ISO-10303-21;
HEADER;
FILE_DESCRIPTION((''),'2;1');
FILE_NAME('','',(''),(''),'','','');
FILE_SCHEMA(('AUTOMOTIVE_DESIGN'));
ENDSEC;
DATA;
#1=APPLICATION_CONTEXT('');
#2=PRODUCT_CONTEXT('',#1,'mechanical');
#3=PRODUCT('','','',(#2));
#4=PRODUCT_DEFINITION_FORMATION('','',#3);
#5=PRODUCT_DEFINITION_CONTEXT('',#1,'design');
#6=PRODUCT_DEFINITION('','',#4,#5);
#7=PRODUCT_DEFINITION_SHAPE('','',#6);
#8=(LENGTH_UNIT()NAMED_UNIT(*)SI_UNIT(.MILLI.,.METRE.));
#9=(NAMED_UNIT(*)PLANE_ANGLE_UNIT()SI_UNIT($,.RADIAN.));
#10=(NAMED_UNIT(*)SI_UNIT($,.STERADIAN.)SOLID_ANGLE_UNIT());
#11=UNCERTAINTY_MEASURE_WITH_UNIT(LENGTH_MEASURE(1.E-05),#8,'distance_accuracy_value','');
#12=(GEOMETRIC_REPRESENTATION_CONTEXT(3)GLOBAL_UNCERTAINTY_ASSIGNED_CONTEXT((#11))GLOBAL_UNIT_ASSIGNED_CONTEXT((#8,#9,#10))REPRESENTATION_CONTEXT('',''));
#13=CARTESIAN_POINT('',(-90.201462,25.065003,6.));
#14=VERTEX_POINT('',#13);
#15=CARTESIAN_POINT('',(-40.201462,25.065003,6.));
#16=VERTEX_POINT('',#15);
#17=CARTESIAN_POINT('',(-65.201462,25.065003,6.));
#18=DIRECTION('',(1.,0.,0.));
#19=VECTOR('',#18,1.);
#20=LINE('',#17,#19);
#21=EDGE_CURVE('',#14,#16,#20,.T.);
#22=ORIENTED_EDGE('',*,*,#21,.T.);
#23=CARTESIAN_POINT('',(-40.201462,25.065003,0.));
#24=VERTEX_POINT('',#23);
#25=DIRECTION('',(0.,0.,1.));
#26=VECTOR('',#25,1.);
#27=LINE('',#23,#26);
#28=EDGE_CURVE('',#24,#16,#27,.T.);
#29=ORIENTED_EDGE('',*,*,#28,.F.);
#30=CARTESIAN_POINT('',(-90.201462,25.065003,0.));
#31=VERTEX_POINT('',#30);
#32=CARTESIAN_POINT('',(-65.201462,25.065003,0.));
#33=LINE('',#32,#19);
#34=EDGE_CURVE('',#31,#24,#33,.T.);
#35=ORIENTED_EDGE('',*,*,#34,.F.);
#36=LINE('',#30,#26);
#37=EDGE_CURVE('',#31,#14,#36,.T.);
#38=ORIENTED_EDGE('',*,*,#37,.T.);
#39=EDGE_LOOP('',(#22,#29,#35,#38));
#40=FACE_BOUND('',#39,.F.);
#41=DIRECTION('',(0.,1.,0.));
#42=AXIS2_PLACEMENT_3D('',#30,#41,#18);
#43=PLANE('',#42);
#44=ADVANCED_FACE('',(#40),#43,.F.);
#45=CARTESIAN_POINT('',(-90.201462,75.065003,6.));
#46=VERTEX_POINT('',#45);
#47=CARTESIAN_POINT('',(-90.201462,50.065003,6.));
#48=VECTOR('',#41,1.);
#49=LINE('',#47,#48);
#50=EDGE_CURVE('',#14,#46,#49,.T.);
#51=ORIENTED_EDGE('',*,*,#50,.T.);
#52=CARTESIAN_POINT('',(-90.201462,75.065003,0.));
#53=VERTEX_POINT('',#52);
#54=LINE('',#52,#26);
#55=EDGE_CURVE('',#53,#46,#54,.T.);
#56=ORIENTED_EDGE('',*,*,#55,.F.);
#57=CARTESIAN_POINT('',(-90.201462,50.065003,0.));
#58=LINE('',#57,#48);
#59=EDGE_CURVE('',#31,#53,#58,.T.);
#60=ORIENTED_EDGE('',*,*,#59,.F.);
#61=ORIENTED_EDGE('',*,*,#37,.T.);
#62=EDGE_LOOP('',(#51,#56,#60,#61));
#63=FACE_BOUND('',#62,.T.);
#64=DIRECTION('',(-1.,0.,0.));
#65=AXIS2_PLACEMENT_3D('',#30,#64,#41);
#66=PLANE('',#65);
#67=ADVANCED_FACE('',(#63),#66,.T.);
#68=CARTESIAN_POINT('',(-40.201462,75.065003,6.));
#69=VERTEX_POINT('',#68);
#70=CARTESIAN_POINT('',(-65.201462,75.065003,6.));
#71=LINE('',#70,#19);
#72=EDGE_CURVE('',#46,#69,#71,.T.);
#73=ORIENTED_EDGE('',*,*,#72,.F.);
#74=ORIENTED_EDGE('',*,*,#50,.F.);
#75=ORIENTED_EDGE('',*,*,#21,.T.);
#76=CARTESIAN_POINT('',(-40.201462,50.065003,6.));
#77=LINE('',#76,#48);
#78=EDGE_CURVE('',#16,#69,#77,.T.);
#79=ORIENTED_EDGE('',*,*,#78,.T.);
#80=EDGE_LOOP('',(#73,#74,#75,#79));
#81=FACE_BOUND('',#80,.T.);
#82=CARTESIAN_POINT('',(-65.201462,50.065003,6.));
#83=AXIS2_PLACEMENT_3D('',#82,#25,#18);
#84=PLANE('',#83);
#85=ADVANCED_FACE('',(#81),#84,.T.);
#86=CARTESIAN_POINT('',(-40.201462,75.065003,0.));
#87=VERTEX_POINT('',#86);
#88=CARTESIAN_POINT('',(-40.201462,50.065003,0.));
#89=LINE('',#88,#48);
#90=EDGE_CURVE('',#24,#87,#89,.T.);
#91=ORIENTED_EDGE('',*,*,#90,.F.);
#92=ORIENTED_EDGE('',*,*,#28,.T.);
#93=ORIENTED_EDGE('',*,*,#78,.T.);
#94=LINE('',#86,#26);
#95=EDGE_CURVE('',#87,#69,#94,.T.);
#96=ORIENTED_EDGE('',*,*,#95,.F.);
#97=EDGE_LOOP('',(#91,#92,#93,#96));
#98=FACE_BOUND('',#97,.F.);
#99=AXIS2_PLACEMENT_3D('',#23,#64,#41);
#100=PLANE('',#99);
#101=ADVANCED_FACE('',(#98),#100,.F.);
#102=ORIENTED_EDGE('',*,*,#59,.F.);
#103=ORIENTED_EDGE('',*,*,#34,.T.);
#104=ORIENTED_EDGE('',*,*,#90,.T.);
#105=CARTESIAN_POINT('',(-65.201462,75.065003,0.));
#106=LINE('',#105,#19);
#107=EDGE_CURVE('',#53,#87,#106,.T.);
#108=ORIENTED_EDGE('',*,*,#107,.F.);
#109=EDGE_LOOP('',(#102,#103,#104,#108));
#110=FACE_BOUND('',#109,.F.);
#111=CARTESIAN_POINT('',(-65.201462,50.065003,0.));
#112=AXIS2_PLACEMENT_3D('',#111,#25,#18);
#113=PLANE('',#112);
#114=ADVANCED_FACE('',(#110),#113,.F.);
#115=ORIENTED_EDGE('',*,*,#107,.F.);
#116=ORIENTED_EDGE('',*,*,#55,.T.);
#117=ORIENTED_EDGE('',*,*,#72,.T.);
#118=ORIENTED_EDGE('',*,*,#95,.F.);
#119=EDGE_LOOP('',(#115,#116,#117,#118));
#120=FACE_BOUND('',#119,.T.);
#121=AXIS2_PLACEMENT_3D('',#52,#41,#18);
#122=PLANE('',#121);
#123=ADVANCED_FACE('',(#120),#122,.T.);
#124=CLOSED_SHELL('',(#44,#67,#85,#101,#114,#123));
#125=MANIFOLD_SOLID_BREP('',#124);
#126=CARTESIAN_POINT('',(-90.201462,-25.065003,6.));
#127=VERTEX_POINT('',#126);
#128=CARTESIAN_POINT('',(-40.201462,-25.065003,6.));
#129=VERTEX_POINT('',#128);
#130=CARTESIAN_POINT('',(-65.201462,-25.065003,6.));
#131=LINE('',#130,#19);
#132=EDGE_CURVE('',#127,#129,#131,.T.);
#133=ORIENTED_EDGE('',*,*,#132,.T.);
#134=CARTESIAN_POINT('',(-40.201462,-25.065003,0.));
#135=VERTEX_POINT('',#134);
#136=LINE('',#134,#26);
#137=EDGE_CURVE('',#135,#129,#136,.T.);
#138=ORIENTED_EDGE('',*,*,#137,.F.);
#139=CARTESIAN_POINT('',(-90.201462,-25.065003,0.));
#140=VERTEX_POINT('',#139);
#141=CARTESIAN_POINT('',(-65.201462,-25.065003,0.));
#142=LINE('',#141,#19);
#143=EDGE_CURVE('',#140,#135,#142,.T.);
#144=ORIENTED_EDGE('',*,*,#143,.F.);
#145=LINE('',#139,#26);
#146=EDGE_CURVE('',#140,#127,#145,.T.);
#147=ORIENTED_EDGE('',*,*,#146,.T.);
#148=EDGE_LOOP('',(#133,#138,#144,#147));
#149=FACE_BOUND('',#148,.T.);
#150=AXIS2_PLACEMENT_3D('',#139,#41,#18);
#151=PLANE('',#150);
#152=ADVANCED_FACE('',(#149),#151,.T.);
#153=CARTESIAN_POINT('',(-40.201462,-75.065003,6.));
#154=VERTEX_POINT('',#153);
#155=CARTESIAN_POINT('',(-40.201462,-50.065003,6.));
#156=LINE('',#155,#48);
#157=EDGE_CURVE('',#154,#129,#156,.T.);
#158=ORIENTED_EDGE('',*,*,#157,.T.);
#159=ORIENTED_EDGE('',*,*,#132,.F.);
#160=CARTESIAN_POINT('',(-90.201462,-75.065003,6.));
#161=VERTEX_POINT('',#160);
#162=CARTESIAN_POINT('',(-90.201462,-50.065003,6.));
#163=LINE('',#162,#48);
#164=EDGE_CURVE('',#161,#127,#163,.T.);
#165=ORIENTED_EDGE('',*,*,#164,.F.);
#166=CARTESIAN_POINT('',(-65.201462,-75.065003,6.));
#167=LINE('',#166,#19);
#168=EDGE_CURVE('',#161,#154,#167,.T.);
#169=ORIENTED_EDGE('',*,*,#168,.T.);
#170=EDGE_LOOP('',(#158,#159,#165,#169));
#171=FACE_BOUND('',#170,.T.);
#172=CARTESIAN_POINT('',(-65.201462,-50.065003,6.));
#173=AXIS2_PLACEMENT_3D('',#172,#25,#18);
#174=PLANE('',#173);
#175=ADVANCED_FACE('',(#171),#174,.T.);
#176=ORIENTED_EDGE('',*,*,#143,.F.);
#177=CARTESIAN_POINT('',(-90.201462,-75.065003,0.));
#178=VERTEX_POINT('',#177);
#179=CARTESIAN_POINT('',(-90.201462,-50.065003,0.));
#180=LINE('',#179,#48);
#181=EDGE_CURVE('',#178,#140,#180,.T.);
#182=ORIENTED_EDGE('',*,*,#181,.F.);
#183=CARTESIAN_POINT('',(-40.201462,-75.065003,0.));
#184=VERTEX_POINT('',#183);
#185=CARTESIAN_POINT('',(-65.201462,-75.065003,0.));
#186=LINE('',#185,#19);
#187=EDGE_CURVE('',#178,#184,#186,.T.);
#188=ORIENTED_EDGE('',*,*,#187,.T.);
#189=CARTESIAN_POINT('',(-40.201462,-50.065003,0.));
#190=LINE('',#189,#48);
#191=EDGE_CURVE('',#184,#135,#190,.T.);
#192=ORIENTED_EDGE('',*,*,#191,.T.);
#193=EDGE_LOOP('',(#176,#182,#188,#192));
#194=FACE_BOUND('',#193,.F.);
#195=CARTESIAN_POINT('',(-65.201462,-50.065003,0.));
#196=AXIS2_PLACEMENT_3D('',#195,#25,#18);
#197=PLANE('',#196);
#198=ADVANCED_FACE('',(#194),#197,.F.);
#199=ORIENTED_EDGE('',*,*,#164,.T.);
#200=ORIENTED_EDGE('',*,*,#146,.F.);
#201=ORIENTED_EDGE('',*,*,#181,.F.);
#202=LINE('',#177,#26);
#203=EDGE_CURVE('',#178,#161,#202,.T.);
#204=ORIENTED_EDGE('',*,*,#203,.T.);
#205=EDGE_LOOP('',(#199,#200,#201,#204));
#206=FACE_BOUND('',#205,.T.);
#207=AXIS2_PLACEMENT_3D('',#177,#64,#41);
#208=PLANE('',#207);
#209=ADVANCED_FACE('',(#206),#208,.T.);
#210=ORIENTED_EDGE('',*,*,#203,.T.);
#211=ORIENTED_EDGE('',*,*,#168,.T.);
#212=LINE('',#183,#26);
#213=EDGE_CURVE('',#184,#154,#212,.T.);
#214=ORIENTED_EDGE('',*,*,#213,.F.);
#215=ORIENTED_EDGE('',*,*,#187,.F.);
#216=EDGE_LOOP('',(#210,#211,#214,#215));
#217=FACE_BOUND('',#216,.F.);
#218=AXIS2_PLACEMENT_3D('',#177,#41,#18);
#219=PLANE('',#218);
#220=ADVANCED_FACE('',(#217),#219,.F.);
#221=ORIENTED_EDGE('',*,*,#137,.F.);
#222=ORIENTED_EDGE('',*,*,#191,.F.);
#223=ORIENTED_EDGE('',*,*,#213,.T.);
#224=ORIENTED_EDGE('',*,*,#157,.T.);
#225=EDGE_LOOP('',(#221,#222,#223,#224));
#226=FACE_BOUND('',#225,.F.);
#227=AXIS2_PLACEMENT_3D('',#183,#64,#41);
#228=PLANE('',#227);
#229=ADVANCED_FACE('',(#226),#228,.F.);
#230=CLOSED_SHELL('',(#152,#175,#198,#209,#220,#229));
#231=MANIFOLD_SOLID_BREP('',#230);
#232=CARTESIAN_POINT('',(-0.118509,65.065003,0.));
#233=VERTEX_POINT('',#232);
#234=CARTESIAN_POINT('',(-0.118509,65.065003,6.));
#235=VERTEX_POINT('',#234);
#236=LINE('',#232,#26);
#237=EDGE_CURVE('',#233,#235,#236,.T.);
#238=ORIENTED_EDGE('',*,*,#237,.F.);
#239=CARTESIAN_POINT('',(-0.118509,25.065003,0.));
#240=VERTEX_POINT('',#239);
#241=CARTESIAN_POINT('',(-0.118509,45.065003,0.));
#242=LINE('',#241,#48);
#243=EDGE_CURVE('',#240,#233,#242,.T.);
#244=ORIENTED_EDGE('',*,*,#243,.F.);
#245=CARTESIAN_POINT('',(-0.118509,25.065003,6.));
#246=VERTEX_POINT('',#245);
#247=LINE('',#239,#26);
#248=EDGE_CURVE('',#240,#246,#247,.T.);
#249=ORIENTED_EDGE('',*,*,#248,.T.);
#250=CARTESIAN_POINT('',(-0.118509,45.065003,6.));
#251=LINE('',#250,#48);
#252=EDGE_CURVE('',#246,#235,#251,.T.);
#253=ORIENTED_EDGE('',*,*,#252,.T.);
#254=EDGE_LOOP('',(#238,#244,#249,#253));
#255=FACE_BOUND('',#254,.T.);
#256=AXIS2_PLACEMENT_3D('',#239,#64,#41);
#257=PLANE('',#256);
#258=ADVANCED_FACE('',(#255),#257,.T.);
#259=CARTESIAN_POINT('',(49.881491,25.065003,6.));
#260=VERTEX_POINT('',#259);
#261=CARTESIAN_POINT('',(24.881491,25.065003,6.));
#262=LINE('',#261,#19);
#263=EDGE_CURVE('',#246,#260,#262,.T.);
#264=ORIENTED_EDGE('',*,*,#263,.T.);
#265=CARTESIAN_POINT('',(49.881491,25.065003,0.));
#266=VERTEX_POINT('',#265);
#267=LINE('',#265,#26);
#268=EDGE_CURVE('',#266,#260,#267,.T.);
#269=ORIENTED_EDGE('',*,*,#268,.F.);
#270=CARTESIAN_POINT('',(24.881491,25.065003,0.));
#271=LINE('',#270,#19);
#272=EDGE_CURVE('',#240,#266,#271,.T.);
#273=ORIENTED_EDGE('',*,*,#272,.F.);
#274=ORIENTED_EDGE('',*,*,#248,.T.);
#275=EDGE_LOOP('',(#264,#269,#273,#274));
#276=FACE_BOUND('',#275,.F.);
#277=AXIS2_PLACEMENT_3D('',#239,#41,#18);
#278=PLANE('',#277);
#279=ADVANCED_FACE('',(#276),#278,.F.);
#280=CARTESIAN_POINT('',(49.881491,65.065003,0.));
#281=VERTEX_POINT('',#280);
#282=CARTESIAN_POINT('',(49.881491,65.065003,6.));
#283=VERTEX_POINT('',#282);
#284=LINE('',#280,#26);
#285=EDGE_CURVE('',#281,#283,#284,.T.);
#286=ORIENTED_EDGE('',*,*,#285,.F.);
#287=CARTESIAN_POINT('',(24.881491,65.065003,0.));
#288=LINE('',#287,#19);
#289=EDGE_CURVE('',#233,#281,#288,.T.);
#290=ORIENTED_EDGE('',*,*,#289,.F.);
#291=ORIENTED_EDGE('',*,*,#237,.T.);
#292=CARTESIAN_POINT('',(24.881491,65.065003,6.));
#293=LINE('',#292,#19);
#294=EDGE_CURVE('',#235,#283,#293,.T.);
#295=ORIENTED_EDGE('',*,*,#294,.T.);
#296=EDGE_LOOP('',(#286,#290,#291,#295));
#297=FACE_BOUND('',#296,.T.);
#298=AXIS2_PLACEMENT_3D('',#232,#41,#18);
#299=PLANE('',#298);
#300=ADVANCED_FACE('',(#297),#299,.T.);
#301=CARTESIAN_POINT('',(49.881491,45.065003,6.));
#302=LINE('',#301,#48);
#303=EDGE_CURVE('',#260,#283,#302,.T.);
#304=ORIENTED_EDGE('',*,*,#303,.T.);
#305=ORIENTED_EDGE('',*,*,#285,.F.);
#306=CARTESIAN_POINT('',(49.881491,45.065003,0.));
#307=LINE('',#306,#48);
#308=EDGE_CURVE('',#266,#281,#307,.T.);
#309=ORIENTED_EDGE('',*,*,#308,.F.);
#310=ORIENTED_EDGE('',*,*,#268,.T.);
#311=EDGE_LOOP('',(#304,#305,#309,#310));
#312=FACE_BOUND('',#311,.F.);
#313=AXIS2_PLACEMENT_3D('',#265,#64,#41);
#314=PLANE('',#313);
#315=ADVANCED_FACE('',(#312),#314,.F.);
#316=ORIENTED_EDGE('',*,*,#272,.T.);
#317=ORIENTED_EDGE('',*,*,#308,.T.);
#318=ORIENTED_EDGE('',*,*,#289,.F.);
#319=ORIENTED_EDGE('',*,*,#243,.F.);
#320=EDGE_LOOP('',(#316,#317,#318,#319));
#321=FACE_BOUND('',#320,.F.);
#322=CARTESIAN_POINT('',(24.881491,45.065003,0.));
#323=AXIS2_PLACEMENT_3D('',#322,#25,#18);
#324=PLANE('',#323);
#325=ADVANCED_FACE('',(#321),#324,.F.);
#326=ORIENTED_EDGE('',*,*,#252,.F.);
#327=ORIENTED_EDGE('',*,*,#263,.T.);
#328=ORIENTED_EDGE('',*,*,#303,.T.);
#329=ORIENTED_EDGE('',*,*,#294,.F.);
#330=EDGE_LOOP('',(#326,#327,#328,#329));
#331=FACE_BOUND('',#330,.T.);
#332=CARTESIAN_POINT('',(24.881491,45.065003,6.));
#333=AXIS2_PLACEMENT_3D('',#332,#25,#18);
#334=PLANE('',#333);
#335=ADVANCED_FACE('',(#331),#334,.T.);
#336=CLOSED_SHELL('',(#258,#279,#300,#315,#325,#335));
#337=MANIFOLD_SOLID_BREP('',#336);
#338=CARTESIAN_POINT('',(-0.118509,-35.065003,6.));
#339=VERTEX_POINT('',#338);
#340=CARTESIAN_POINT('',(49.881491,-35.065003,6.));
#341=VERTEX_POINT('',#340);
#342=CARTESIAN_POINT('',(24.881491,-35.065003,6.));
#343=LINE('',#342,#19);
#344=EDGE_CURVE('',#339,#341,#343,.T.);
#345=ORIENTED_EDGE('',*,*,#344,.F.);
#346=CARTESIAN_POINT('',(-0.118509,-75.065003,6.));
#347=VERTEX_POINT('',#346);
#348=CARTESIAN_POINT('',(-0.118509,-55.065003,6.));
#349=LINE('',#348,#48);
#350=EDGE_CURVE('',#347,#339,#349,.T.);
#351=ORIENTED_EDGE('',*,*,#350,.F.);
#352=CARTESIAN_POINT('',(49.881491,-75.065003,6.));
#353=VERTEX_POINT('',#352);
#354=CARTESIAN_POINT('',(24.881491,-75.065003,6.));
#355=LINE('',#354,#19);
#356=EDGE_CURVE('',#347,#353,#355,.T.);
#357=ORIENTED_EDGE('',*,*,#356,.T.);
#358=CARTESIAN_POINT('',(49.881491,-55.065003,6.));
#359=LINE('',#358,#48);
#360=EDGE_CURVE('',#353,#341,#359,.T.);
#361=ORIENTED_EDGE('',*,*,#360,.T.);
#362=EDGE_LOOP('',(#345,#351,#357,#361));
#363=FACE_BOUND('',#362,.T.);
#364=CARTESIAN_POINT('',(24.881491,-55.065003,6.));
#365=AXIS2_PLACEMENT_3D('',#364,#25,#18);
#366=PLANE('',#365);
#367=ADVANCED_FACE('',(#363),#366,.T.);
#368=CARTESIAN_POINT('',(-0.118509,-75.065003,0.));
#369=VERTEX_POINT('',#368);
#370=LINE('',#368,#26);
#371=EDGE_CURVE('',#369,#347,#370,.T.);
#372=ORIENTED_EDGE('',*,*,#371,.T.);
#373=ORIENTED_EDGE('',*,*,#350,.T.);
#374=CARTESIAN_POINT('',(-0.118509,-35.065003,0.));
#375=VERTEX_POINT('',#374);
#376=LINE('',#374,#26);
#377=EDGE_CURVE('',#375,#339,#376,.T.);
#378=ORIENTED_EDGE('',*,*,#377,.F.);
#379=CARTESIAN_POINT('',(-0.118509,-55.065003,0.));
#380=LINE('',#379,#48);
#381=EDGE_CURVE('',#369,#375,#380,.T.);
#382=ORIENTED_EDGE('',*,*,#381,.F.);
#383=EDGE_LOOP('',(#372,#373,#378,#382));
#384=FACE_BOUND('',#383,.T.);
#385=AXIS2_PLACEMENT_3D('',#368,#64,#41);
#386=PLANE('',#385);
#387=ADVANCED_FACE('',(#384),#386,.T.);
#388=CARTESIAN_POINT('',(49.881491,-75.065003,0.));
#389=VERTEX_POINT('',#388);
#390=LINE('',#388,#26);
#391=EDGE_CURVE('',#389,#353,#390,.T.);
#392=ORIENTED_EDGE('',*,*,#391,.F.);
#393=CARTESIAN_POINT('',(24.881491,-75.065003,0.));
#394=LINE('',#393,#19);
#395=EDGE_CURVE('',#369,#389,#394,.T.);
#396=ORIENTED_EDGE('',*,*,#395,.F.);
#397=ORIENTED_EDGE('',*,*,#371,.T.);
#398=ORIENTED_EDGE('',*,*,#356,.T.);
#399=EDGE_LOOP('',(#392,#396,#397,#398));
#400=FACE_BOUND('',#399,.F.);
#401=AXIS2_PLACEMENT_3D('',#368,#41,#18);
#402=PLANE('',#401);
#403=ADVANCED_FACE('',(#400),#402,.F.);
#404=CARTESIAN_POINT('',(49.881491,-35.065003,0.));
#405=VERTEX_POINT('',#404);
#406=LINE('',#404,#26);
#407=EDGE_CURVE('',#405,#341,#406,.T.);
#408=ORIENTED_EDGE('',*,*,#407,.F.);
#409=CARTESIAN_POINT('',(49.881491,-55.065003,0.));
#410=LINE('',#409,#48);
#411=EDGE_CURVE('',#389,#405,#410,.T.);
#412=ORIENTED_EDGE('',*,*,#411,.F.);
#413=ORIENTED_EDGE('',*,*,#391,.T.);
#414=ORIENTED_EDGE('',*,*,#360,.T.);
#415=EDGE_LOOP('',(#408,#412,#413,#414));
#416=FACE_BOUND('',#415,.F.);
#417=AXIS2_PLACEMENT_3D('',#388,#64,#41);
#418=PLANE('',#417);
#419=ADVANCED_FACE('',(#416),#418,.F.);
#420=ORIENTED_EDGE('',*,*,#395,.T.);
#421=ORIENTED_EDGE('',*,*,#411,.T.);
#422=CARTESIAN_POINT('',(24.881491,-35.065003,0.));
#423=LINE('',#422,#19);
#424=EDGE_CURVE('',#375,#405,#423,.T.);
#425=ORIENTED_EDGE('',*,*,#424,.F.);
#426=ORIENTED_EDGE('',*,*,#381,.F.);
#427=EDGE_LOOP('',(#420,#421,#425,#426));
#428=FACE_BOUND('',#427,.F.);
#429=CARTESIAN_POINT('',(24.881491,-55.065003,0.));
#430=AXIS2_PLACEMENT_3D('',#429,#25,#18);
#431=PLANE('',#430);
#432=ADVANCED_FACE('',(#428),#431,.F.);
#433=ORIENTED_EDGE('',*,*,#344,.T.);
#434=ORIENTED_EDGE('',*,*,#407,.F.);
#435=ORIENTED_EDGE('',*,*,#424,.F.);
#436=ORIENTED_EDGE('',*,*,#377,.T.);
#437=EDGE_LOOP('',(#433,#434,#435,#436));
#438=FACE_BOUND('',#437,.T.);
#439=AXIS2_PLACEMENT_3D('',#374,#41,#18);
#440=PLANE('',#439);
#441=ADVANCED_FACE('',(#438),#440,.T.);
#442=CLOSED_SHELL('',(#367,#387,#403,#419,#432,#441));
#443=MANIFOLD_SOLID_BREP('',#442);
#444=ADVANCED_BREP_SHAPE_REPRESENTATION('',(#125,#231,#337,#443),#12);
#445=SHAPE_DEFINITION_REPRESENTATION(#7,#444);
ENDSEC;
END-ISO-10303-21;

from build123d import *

# Parameters (mm, degrees)
F0_W     = 50
F0_H     = 50
F0_H_2   = 40
F1_DEPTH = 6


with BuildPart() as f1:
    # F0 (on Top) → F1 (new body)
    with BuildSketch(Plane.XY):
        with Locations((-65.201462, 50.065003)):
            Rectangle(F0_W, F0_H)
        with Locations((-65.201462, -50.065003)):
            Rectangle(F0_W, F0_H)
        with Locations((24.881491, 45.065003)):
            Rectangle(F0_W, F0_H_2)
        with Locations((24.881491, -55.065003)):
            Rectangle(F0_W, F0_H_2)
    extrude(amount=F1_DEPTH)


solid = f1.part
